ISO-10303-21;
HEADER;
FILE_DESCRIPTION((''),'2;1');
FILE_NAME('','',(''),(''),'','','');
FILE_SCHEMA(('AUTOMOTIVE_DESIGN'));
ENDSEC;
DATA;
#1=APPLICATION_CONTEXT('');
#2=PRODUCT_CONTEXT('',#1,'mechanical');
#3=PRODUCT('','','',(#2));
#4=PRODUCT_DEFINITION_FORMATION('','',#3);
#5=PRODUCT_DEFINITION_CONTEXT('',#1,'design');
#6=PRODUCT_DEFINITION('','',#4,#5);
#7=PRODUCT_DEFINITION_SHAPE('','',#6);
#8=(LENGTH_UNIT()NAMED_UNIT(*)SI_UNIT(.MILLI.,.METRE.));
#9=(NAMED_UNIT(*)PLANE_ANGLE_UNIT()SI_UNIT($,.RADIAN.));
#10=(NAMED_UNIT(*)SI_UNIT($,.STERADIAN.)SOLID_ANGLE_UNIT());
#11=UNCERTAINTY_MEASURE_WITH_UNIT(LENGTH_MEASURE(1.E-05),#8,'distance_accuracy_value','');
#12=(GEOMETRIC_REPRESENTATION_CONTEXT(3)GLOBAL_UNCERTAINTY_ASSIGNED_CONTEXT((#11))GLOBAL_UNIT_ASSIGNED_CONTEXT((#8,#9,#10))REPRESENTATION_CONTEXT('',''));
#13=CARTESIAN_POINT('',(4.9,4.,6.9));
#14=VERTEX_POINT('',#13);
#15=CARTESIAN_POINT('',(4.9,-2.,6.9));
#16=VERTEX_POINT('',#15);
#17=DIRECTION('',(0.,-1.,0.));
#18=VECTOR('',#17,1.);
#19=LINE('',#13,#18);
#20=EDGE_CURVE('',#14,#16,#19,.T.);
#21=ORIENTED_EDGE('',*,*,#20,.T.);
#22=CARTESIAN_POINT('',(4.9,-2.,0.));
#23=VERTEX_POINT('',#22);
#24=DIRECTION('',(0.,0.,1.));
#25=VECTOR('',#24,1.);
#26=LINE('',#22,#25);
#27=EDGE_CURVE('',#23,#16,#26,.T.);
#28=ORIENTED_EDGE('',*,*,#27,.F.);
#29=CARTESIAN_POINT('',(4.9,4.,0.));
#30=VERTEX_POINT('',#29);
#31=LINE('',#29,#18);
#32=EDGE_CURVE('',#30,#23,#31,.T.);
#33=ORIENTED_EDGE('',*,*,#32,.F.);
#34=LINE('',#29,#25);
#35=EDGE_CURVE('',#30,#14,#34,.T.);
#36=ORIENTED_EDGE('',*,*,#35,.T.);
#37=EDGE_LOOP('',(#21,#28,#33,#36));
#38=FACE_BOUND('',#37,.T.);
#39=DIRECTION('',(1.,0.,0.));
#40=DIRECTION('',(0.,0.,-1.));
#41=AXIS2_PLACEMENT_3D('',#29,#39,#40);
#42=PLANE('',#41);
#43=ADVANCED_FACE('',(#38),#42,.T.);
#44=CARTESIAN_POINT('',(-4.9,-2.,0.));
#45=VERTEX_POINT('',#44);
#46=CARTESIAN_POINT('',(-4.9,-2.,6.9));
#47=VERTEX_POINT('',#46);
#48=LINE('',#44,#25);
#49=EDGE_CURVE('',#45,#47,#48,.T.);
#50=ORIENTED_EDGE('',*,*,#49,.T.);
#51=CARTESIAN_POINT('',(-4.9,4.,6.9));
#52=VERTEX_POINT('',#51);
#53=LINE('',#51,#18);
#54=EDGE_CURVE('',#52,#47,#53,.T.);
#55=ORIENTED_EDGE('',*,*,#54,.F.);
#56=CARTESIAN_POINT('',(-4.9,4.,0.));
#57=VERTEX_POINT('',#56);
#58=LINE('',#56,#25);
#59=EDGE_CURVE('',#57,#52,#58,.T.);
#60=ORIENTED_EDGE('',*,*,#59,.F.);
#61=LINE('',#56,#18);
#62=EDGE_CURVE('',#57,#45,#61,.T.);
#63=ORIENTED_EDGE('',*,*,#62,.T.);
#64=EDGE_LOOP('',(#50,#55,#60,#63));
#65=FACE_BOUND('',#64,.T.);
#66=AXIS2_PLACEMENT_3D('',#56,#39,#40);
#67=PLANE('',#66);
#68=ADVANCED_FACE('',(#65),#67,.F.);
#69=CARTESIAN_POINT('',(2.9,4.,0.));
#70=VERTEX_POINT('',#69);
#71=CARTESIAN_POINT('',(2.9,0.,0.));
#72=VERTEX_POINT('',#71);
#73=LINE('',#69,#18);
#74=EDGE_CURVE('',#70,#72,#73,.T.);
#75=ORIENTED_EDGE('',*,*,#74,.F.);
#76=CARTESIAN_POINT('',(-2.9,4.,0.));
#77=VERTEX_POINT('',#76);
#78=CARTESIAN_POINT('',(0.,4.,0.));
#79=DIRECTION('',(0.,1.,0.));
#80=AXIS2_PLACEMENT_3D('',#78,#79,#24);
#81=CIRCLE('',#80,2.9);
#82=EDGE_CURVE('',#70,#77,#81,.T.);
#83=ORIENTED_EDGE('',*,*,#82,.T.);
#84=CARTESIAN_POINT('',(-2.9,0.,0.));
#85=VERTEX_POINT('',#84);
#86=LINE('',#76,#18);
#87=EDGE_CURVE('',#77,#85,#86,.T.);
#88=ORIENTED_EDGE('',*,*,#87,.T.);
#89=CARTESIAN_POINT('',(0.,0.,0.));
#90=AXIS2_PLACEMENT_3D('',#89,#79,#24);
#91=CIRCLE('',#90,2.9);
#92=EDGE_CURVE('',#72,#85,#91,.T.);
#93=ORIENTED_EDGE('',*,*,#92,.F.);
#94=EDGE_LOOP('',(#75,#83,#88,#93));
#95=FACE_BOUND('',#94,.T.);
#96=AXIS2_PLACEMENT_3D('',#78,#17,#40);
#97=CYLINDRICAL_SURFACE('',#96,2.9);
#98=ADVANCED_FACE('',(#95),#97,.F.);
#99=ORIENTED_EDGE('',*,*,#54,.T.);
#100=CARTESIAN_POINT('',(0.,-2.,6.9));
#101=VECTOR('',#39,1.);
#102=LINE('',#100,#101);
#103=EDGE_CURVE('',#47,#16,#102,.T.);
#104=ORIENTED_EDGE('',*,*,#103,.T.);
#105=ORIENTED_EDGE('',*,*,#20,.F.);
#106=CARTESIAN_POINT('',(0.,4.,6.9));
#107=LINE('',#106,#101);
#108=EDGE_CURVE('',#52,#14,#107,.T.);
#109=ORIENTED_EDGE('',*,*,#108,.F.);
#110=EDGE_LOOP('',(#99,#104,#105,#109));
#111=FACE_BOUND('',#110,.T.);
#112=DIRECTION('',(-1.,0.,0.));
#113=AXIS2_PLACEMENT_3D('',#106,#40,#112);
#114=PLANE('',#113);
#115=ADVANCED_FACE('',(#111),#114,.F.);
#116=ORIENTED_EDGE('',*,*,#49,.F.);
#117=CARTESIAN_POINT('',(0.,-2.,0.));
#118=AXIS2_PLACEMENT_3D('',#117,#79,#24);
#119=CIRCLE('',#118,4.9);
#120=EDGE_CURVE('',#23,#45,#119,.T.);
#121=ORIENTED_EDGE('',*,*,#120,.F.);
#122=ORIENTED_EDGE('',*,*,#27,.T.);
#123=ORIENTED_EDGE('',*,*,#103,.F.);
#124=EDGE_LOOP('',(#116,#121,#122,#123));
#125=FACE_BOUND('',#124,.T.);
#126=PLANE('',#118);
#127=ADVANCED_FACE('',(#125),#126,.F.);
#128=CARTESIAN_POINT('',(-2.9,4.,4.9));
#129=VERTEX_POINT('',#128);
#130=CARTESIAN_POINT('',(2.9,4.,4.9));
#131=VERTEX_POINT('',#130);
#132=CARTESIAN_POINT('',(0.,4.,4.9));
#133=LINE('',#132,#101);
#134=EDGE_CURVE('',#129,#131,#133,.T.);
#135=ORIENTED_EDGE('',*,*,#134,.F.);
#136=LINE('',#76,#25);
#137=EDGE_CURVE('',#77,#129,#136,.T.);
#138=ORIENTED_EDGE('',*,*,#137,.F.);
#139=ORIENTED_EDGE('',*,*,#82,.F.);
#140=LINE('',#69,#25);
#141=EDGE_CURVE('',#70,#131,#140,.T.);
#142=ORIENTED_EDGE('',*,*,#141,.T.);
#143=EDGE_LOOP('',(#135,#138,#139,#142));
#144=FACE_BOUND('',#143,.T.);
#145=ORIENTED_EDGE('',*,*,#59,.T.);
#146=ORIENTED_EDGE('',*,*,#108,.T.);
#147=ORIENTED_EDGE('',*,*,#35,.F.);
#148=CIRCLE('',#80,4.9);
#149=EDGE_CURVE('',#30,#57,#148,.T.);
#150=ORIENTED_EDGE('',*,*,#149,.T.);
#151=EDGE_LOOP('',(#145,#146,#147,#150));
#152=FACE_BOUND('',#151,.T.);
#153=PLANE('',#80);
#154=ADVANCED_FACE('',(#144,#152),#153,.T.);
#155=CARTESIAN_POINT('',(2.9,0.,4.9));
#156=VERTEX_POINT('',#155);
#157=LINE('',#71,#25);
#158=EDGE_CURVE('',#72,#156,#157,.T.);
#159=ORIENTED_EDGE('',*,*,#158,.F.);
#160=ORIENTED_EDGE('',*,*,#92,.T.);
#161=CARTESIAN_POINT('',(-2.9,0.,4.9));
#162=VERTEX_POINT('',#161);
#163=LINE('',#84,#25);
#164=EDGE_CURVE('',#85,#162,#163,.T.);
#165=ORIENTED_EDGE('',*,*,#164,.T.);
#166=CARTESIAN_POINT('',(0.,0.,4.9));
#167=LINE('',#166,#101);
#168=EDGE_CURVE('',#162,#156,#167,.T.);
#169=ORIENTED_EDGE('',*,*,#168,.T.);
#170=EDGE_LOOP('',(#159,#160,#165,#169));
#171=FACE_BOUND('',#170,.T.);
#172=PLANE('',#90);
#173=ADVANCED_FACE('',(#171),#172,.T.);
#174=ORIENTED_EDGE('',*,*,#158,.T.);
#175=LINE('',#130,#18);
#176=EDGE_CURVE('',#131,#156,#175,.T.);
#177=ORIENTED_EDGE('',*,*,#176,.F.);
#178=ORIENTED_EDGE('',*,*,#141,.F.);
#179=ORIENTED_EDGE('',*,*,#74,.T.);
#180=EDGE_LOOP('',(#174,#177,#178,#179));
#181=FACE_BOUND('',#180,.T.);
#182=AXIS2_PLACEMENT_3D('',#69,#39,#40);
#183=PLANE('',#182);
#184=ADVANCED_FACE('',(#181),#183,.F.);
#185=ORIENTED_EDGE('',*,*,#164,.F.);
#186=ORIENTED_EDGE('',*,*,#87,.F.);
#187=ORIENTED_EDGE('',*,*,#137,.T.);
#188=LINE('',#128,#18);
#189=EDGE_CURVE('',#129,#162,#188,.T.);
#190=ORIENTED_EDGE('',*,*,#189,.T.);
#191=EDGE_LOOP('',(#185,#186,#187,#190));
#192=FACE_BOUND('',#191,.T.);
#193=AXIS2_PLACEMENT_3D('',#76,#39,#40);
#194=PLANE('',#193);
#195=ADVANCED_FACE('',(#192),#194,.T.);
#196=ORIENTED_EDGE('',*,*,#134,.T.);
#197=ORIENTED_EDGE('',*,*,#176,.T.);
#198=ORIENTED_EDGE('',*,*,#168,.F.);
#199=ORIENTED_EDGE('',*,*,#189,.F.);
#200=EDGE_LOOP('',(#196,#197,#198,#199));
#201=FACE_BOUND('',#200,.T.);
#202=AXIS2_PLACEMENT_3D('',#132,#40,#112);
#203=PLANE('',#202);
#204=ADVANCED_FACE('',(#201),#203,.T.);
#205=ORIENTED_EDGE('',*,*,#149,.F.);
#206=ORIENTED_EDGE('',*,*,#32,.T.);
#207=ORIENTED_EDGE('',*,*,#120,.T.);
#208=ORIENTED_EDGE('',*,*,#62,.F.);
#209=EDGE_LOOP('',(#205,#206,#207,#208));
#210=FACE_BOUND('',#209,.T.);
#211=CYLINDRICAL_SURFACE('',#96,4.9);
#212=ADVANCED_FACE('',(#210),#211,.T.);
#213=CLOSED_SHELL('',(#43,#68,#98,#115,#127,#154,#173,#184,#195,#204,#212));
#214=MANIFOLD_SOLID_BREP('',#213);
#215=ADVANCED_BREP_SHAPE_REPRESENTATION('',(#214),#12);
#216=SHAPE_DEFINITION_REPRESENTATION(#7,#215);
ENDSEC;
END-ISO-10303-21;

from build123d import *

# Parameters (mm, degrees)
BOSS_EXTRUDE1_DEPTH = 4
BOSS_EXTRUDE2_START = -2
BOSS_EXTRUDE2_DEPTH = 2


with BuildPart() as part:
    # Sketch1 → Boss-Extrude1 (new body)
    with BuildSketch(Plane(origin=(0, 0, 0), x_dir=(1, 0, 0), z_dir=(0, 1, 0))):
        with BuildLine():
            Line((4.9, -6.9), (4.9, 0))
            ThreePointArc((4.9, 0), (0, 4.9), (-4.9, 0))
            Line((-4.9, 0), (-4.9, -6.9))
            Line((-4.9, -6.9), (4.9, -6.9))
        make_face()
        with BuildLine():
            ThreePointArc((-2.9, 0), (0, 2.9), (2.9, 0))
            Line((2.9, 0), (2.9, -4.9))
            Line((2.9, -4.9), (-2.9, -4.9))
            Line((-2.9, -4.9), (-2.9, 0))
        make_face(mode=Mode.SUBTRACT)
    extrude(amount=BOSS_EXTRUDE1_DEPTH)

    # Sketch1<3> → Boss-Extrude2 (add)
    with BuildSketch(Plane(origin=(0, 0, 0), x_dir=(1, 0, 0), z_dir=(0, 1, 0)).offset(BOSS_EXTRUDE2_START)):
        with BuildLine():
            ThreePointArc((4.9, 0), (0, 4.9), (-4.9, 0))
            Line((-4.9, 0), (-4.9, -6.9))
            Line((-4.9, -6.9), (4.9, -6.9))
            Line((4.9, -6.9), (4.9, 0))
        make_face()
    extrude(amount=BOSS_EXTRUDE2_DEPTH)


solid = part.part
